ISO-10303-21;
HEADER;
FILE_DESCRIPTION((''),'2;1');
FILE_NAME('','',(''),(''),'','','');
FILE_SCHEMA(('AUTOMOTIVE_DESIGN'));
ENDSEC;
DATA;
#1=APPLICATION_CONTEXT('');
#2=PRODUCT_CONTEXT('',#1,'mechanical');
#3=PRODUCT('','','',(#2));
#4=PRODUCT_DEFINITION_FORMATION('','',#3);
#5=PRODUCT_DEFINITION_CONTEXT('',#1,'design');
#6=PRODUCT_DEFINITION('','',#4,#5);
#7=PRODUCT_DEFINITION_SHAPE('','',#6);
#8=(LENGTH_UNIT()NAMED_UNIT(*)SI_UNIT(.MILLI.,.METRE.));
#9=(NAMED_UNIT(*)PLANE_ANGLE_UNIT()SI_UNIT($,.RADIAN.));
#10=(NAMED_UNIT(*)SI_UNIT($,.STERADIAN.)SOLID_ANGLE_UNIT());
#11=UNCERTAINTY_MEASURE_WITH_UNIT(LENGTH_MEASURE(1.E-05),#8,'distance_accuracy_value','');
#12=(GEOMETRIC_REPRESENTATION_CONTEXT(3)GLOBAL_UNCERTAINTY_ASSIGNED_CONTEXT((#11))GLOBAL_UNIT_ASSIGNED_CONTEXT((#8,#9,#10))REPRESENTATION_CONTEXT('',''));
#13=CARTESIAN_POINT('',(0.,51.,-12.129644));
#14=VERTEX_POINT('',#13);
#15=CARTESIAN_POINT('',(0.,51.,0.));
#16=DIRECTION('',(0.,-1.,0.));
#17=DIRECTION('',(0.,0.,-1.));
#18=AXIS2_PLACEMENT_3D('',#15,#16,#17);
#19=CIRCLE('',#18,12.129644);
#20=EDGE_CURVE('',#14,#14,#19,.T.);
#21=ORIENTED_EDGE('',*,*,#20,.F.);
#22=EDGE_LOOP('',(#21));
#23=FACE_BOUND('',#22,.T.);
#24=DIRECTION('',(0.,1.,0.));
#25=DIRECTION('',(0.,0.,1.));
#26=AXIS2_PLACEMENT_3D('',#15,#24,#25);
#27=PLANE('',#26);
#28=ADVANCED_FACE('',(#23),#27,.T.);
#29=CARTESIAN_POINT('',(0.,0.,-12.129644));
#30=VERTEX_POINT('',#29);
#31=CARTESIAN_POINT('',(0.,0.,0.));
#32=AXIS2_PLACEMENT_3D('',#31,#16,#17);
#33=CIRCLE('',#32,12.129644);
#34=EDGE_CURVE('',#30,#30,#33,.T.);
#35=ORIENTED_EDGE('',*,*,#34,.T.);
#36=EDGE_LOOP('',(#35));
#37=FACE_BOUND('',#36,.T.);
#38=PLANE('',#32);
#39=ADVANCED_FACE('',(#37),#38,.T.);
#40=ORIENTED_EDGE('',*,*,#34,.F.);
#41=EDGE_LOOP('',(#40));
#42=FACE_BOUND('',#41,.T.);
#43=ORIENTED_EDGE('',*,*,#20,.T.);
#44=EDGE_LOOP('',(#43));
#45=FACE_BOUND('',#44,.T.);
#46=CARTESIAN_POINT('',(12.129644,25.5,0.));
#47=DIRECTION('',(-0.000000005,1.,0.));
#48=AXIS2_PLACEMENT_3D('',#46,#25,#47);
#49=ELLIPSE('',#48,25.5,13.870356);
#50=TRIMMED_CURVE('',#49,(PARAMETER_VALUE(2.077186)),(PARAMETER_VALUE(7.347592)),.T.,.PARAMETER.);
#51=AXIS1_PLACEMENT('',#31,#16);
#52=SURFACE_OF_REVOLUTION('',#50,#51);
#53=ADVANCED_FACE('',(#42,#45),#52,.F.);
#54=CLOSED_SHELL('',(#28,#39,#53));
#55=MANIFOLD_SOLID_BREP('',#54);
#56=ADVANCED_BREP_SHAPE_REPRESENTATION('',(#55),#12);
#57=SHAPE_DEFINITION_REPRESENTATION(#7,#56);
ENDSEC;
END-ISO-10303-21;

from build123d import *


with BuildPart() as part:
    # Croquis1 → Revolución1 (revolve)
    with BuildSketch(Plane.XY):
        with BuildLine():
            Line((0, 0), (0, 51))
            Line((0, 51), (12.129644262, 51))
            add(Edge.make_bspline(
                [(12.129644262, 0), (26, 0), (26, 25.499999842), (26, 50.999999684), (12.129644262, 51)],
                knots=[3.141592651, 3.141592651, 3.141592651, 4.712388972, 4.712388972, 6.283185292, 6.283185292, 6.283185292], degree=2, weights=[1, 0.707106783, 1, 0.707106783, 1]))
            Line((12.129644262, 0), (0, 0))
        make_face()
    revolve(axis=Axis((0, 0, 0), (0, 1, 0)))


solid = part.part
